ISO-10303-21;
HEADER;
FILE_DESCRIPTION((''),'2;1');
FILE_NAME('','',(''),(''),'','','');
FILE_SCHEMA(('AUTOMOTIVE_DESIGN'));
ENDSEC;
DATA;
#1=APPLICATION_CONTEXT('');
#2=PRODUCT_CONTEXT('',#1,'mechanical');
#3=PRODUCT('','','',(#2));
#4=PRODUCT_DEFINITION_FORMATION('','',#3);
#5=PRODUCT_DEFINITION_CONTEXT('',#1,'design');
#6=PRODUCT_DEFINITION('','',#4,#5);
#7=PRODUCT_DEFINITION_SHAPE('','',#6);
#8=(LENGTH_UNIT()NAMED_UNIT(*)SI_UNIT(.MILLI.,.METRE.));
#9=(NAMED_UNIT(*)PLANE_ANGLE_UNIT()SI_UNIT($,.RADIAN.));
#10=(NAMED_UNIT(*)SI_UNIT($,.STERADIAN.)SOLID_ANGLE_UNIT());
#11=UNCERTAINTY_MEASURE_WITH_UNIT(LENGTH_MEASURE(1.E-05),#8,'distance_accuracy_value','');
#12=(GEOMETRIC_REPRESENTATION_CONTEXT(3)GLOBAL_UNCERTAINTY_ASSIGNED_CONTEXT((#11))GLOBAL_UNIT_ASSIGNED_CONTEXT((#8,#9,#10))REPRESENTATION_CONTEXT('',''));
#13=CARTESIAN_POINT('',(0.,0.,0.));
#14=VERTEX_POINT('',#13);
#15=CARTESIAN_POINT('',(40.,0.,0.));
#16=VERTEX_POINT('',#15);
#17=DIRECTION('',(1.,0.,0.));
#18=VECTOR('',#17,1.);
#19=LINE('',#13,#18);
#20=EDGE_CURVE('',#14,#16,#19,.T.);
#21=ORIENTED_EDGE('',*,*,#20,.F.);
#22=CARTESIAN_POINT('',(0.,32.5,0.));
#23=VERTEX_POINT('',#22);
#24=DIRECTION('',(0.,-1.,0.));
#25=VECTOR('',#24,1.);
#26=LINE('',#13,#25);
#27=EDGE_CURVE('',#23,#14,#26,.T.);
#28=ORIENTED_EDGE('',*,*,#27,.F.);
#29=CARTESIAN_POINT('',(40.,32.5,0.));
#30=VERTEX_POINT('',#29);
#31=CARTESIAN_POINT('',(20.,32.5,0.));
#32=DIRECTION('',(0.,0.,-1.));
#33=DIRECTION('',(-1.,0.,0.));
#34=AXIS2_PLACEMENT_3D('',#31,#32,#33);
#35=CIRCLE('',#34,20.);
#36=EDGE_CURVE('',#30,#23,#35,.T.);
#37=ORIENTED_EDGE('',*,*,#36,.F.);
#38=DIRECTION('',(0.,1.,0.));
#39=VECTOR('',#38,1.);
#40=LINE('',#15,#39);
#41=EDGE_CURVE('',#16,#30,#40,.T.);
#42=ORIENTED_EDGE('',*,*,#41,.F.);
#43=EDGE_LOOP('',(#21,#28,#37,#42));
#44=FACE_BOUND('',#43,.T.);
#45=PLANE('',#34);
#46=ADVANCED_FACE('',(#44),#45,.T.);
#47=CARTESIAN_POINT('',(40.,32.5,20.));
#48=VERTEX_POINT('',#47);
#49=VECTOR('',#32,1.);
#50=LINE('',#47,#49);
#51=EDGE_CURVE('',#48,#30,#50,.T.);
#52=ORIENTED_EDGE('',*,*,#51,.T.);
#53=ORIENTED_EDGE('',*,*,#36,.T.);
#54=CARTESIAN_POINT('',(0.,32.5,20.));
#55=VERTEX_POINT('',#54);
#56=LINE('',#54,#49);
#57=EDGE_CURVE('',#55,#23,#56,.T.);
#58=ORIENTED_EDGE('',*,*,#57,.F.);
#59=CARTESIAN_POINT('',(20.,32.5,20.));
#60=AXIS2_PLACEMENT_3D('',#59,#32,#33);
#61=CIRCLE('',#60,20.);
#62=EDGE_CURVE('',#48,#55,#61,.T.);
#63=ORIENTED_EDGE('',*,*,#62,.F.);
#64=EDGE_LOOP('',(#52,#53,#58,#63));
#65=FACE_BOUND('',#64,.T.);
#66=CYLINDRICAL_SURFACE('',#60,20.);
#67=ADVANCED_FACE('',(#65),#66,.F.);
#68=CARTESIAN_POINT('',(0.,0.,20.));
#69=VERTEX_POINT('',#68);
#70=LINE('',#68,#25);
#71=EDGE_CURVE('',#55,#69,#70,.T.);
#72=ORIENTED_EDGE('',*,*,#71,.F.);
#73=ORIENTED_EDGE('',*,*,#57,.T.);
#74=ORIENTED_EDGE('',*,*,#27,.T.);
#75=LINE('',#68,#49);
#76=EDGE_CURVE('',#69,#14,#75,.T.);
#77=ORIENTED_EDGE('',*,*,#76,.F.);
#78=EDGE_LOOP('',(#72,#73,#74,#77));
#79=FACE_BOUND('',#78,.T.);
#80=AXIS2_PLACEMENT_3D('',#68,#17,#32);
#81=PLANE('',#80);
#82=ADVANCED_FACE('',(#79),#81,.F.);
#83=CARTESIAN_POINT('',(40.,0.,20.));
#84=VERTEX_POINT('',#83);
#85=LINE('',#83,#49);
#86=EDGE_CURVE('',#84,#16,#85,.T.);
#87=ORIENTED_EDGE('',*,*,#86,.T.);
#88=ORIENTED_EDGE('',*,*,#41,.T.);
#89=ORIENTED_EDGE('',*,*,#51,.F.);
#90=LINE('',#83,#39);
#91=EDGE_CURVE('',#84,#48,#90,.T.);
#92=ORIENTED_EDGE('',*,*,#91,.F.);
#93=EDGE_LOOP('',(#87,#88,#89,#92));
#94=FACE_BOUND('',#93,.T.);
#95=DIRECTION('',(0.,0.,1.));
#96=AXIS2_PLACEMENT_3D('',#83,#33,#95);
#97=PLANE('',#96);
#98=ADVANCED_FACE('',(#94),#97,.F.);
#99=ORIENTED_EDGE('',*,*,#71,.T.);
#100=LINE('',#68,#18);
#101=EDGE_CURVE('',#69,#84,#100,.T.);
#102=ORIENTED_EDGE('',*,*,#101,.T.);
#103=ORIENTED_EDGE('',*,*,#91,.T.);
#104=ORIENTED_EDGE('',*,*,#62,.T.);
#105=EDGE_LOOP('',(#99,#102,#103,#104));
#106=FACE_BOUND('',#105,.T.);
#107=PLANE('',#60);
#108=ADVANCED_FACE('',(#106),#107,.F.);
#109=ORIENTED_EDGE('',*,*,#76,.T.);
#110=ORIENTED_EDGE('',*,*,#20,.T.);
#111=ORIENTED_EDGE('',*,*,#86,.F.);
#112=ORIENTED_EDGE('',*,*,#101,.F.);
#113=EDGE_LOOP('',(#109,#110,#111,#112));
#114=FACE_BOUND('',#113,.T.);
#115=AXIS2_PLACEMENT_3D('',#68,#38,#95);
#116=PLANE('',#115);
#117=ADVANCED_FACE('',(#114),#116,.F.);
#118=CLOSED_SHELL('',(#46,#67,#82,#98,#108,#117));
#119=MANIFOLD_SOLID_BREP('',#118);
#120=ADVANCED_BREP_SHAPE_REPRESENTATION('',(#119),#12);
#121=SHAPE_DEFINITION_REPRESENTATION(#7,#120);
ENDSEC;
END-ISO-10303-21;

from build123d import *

# Parameters (mm, degrees)
BOSS_EXTRUDE1_DEPTH = 20


with BuildPart() as part:
    # Sketch1 → Boss-Extrude1 (new body)
    with BuildSketch(Plane.XY):
        with BuildLine():
            Line((0, 0), (40, 0))
            Line((40, 0), (40, 32.5))
            ThreePointArc((40, 32.5), (20, 12.5), (0, 32.5))
            Line((0, 32.5), (0, 0))
        make_face()
    extrude(amount=BOSS_EXTRUDE1_DEPTH)


solid = part.part
